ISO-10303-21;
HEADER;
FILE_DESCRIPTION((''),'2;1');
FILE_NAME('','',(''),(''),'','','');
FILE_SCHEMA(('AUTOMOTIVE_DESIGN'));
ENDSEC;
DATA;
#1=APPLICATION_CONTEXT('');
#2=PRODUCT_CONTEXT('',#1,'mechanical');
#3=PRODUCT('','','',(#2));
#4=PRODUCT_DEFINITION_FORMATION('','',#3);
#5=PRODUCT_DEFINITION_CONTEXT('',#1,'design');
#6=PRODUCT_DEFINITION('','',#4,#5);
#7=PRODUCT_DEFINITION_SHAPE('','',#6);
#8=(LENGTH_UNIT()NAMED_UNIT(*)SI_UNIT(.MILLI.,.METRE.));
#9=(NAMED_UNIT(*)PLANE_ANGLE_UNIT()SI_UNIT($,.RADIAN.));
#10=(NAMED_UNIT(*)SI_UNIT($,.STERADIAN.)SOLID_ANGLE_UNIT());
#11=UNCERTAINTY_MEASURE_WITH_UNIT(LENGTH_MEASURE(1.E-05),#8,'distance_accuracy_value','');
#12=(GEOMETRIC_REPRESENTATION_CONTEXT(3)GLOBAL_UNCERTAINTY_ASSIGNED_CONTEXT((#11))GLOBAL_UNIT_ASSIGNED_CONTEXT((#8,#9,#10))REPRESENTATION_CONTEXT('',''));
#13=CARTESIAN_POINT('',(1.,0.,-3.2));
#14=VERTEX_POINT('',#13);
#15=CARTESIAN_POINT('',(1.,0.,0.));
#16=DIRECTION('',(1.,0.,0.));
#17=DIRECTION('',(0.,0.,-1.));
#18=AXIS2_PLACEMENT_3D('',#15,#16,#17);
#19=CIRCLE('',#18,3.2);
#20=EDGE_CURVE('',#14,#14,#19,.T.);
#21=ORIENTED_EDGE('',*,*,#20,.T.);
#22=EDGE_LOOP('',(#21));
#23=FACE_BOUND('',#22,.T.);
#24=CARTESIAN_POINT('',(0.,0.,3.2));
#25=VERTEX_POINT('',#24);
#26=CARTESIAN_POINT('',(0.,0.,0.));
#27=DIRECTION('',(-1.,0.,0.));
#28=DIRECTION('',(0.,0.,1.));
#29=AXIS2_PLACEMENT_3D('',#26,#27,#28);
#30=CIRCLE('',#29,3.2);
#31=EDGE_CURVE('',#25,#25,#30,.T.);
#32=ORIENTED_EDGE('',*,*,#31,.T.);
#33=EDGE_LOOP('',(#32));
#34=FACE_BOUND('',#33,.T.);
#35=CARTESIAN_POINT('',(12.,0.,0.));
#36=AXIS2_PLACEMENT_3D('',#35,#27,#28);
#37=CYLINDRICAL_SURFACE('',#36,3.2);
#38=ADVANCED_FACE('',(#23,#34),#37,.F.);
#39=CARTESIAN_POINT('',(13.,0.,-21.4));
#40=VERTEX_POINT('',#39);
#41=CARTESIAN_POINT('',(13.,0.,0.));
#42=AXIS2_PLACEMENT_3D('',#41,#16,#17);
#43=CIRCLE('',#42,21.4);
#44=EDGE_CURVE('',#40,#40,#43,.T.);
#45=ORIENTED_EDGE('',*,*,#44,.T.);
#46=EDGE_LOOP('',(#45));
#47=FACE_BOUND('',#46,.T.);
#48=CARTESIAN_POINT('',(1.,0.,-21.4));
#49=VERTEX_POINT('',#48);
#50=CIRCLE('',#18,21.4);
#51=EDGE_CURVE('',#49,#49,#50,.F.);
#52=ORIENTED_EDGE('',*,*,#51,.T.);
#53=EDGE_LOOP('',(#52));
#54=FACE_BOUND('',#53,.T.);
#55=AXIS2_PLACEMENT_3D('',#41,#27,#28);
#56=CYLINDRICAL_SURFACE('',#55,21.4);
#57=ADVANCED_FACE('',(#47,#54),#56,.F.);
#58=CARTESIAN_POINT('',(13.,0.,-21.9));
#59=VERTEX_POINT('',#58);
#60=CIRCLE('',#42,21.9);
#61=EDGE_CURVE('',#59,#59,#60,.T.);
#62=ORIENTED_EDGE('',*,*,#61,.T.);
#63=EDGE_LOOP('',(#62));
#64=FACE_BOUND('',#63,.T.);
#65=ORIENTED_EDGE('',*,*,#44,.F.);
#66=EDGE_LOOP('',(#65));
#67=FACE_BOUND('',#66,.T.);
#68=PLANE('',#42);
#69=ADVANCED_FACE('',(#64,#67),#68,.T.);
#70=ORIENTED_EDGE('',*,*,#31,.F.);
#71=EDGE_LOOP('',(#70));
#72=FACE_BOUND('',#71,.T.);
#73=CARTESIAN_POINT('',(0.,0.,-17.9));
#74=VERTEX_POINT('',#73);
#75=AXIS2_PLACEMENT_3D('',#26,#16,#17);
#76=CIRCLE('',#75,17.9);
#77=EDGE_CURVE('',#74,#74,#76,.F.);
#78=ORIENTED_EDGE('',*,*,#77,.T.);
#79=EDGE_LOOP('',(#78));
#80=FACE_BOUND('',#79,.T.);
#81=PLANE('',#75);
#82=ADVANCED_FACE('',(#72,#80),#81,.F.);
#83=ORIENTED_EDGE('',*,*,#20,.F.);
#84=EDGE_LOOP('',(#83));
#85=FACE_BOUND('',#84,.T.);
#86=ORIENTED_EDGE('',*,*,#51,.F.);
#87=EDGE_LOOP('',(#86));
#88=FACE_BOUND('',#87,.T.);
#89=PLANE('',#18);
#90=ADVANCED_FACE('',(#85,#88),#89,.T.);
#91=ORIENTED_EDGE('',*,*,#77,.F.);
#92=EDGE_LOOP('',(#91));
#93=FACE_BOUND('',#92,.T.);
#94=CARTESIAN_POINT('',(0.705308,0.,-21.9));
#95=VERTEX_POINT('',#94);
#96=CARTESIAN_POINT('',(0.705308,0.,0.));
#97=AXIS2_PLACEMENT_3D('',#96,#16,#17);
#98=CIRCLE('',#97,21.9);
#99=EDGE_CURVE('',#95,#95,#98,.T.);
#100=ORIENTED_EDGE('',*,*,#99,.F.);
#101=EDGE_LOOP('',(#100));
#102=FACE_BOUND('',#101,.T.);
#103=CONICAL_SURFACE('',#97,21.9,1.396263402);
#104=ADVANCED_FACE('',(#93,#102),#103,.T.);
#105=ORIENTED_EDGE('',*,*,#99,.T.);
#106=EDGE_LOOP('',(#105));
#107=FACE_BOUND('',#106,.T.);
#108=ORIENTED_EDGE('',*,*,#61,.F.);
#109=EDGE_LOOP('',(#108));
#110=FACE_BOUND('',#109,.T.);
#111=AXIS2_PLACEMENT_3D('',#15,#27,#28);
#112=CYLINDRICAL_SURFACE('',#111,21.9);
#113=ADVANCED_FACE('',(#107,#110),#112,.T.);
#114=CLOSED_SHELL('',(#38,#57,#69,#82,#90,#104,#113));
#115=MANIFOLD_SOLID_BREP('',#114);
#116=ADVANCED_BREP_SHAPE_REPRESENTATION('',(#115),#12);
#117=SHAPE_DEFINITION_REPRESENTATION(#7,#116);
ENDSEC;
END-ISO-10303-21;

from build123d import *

# Parameters (mm, degrees)
SKETCH1_R           = 21.9
BOSS_EXTRUDE1_DEPTH = 1
SKETCH2_R           = 21.9
SKETCH2_R_2         = 21.4
BOSS_EXTRUDE2_DEPTH = 12
SKETCH3_R           = 3.2
CUT_EXTRUDE1_DEPTH  = 12
CHAMFER1_SIZE       = 4
CHAMFER1_SIZE2      = 0.705307923


with BuildPart() as part:
    # Sketch1 → Boss-Extrude1 (new body)
    with BuildSketch(Plane.YZ):
        with Locations(Location((0, 0, 0), (0, 0, 270))):
            Circle(SKETCH1_R)
    extrude(amount=BOSS_EXTRUDE1_DEPTH)

    # Sketch2 → Boss-Extrude2 (add)
    with BuildSketch(Plane.YZ.offset(1)):
        with Locations(Location((0, 0, 0), (0, 0, 270))):
            Circle(SKETCH2_R)
        with Locations(Location((0, 0, 0), (0, 0, 270))):
            Circle(SKETCH2_R_2, mode=Mode.SUBTRACT)
    extrude(amount=BOSS_EXTRUDE2_DEPTH)

    # Sketch3 → Cut-Extrude1 (cut)
    with BuildSketch(Plane(origin=(0, 0, 0), x_dir=(0, -1, 0), z_dir=(-1, 0, 0))):
        with Locations(Location((0, 0, 0), (0, 0, 90))):
            Circle(SKETCH3_R)
    extrude(amount=-CUT_EXTRUDE1_DEPTH, mode=Mode.SUBTRACT)

    # Chamfer1
    chamfer1_edges = [part.edges().sort_by_distance(p)[0] for p in [
        (0, 0, 21.9),
    ]]
    chamfer1_side = [part.faces().sort_by_distance(p)[0] for p in [
        (0, 0, 21.28057446),
    ]]
    chamfer(chamfer1_edges, length=CHAMFER1_SIZE, length2=CHAMFER1_SIZE2, reference=chamfer1_side[0])


solid = part.part
